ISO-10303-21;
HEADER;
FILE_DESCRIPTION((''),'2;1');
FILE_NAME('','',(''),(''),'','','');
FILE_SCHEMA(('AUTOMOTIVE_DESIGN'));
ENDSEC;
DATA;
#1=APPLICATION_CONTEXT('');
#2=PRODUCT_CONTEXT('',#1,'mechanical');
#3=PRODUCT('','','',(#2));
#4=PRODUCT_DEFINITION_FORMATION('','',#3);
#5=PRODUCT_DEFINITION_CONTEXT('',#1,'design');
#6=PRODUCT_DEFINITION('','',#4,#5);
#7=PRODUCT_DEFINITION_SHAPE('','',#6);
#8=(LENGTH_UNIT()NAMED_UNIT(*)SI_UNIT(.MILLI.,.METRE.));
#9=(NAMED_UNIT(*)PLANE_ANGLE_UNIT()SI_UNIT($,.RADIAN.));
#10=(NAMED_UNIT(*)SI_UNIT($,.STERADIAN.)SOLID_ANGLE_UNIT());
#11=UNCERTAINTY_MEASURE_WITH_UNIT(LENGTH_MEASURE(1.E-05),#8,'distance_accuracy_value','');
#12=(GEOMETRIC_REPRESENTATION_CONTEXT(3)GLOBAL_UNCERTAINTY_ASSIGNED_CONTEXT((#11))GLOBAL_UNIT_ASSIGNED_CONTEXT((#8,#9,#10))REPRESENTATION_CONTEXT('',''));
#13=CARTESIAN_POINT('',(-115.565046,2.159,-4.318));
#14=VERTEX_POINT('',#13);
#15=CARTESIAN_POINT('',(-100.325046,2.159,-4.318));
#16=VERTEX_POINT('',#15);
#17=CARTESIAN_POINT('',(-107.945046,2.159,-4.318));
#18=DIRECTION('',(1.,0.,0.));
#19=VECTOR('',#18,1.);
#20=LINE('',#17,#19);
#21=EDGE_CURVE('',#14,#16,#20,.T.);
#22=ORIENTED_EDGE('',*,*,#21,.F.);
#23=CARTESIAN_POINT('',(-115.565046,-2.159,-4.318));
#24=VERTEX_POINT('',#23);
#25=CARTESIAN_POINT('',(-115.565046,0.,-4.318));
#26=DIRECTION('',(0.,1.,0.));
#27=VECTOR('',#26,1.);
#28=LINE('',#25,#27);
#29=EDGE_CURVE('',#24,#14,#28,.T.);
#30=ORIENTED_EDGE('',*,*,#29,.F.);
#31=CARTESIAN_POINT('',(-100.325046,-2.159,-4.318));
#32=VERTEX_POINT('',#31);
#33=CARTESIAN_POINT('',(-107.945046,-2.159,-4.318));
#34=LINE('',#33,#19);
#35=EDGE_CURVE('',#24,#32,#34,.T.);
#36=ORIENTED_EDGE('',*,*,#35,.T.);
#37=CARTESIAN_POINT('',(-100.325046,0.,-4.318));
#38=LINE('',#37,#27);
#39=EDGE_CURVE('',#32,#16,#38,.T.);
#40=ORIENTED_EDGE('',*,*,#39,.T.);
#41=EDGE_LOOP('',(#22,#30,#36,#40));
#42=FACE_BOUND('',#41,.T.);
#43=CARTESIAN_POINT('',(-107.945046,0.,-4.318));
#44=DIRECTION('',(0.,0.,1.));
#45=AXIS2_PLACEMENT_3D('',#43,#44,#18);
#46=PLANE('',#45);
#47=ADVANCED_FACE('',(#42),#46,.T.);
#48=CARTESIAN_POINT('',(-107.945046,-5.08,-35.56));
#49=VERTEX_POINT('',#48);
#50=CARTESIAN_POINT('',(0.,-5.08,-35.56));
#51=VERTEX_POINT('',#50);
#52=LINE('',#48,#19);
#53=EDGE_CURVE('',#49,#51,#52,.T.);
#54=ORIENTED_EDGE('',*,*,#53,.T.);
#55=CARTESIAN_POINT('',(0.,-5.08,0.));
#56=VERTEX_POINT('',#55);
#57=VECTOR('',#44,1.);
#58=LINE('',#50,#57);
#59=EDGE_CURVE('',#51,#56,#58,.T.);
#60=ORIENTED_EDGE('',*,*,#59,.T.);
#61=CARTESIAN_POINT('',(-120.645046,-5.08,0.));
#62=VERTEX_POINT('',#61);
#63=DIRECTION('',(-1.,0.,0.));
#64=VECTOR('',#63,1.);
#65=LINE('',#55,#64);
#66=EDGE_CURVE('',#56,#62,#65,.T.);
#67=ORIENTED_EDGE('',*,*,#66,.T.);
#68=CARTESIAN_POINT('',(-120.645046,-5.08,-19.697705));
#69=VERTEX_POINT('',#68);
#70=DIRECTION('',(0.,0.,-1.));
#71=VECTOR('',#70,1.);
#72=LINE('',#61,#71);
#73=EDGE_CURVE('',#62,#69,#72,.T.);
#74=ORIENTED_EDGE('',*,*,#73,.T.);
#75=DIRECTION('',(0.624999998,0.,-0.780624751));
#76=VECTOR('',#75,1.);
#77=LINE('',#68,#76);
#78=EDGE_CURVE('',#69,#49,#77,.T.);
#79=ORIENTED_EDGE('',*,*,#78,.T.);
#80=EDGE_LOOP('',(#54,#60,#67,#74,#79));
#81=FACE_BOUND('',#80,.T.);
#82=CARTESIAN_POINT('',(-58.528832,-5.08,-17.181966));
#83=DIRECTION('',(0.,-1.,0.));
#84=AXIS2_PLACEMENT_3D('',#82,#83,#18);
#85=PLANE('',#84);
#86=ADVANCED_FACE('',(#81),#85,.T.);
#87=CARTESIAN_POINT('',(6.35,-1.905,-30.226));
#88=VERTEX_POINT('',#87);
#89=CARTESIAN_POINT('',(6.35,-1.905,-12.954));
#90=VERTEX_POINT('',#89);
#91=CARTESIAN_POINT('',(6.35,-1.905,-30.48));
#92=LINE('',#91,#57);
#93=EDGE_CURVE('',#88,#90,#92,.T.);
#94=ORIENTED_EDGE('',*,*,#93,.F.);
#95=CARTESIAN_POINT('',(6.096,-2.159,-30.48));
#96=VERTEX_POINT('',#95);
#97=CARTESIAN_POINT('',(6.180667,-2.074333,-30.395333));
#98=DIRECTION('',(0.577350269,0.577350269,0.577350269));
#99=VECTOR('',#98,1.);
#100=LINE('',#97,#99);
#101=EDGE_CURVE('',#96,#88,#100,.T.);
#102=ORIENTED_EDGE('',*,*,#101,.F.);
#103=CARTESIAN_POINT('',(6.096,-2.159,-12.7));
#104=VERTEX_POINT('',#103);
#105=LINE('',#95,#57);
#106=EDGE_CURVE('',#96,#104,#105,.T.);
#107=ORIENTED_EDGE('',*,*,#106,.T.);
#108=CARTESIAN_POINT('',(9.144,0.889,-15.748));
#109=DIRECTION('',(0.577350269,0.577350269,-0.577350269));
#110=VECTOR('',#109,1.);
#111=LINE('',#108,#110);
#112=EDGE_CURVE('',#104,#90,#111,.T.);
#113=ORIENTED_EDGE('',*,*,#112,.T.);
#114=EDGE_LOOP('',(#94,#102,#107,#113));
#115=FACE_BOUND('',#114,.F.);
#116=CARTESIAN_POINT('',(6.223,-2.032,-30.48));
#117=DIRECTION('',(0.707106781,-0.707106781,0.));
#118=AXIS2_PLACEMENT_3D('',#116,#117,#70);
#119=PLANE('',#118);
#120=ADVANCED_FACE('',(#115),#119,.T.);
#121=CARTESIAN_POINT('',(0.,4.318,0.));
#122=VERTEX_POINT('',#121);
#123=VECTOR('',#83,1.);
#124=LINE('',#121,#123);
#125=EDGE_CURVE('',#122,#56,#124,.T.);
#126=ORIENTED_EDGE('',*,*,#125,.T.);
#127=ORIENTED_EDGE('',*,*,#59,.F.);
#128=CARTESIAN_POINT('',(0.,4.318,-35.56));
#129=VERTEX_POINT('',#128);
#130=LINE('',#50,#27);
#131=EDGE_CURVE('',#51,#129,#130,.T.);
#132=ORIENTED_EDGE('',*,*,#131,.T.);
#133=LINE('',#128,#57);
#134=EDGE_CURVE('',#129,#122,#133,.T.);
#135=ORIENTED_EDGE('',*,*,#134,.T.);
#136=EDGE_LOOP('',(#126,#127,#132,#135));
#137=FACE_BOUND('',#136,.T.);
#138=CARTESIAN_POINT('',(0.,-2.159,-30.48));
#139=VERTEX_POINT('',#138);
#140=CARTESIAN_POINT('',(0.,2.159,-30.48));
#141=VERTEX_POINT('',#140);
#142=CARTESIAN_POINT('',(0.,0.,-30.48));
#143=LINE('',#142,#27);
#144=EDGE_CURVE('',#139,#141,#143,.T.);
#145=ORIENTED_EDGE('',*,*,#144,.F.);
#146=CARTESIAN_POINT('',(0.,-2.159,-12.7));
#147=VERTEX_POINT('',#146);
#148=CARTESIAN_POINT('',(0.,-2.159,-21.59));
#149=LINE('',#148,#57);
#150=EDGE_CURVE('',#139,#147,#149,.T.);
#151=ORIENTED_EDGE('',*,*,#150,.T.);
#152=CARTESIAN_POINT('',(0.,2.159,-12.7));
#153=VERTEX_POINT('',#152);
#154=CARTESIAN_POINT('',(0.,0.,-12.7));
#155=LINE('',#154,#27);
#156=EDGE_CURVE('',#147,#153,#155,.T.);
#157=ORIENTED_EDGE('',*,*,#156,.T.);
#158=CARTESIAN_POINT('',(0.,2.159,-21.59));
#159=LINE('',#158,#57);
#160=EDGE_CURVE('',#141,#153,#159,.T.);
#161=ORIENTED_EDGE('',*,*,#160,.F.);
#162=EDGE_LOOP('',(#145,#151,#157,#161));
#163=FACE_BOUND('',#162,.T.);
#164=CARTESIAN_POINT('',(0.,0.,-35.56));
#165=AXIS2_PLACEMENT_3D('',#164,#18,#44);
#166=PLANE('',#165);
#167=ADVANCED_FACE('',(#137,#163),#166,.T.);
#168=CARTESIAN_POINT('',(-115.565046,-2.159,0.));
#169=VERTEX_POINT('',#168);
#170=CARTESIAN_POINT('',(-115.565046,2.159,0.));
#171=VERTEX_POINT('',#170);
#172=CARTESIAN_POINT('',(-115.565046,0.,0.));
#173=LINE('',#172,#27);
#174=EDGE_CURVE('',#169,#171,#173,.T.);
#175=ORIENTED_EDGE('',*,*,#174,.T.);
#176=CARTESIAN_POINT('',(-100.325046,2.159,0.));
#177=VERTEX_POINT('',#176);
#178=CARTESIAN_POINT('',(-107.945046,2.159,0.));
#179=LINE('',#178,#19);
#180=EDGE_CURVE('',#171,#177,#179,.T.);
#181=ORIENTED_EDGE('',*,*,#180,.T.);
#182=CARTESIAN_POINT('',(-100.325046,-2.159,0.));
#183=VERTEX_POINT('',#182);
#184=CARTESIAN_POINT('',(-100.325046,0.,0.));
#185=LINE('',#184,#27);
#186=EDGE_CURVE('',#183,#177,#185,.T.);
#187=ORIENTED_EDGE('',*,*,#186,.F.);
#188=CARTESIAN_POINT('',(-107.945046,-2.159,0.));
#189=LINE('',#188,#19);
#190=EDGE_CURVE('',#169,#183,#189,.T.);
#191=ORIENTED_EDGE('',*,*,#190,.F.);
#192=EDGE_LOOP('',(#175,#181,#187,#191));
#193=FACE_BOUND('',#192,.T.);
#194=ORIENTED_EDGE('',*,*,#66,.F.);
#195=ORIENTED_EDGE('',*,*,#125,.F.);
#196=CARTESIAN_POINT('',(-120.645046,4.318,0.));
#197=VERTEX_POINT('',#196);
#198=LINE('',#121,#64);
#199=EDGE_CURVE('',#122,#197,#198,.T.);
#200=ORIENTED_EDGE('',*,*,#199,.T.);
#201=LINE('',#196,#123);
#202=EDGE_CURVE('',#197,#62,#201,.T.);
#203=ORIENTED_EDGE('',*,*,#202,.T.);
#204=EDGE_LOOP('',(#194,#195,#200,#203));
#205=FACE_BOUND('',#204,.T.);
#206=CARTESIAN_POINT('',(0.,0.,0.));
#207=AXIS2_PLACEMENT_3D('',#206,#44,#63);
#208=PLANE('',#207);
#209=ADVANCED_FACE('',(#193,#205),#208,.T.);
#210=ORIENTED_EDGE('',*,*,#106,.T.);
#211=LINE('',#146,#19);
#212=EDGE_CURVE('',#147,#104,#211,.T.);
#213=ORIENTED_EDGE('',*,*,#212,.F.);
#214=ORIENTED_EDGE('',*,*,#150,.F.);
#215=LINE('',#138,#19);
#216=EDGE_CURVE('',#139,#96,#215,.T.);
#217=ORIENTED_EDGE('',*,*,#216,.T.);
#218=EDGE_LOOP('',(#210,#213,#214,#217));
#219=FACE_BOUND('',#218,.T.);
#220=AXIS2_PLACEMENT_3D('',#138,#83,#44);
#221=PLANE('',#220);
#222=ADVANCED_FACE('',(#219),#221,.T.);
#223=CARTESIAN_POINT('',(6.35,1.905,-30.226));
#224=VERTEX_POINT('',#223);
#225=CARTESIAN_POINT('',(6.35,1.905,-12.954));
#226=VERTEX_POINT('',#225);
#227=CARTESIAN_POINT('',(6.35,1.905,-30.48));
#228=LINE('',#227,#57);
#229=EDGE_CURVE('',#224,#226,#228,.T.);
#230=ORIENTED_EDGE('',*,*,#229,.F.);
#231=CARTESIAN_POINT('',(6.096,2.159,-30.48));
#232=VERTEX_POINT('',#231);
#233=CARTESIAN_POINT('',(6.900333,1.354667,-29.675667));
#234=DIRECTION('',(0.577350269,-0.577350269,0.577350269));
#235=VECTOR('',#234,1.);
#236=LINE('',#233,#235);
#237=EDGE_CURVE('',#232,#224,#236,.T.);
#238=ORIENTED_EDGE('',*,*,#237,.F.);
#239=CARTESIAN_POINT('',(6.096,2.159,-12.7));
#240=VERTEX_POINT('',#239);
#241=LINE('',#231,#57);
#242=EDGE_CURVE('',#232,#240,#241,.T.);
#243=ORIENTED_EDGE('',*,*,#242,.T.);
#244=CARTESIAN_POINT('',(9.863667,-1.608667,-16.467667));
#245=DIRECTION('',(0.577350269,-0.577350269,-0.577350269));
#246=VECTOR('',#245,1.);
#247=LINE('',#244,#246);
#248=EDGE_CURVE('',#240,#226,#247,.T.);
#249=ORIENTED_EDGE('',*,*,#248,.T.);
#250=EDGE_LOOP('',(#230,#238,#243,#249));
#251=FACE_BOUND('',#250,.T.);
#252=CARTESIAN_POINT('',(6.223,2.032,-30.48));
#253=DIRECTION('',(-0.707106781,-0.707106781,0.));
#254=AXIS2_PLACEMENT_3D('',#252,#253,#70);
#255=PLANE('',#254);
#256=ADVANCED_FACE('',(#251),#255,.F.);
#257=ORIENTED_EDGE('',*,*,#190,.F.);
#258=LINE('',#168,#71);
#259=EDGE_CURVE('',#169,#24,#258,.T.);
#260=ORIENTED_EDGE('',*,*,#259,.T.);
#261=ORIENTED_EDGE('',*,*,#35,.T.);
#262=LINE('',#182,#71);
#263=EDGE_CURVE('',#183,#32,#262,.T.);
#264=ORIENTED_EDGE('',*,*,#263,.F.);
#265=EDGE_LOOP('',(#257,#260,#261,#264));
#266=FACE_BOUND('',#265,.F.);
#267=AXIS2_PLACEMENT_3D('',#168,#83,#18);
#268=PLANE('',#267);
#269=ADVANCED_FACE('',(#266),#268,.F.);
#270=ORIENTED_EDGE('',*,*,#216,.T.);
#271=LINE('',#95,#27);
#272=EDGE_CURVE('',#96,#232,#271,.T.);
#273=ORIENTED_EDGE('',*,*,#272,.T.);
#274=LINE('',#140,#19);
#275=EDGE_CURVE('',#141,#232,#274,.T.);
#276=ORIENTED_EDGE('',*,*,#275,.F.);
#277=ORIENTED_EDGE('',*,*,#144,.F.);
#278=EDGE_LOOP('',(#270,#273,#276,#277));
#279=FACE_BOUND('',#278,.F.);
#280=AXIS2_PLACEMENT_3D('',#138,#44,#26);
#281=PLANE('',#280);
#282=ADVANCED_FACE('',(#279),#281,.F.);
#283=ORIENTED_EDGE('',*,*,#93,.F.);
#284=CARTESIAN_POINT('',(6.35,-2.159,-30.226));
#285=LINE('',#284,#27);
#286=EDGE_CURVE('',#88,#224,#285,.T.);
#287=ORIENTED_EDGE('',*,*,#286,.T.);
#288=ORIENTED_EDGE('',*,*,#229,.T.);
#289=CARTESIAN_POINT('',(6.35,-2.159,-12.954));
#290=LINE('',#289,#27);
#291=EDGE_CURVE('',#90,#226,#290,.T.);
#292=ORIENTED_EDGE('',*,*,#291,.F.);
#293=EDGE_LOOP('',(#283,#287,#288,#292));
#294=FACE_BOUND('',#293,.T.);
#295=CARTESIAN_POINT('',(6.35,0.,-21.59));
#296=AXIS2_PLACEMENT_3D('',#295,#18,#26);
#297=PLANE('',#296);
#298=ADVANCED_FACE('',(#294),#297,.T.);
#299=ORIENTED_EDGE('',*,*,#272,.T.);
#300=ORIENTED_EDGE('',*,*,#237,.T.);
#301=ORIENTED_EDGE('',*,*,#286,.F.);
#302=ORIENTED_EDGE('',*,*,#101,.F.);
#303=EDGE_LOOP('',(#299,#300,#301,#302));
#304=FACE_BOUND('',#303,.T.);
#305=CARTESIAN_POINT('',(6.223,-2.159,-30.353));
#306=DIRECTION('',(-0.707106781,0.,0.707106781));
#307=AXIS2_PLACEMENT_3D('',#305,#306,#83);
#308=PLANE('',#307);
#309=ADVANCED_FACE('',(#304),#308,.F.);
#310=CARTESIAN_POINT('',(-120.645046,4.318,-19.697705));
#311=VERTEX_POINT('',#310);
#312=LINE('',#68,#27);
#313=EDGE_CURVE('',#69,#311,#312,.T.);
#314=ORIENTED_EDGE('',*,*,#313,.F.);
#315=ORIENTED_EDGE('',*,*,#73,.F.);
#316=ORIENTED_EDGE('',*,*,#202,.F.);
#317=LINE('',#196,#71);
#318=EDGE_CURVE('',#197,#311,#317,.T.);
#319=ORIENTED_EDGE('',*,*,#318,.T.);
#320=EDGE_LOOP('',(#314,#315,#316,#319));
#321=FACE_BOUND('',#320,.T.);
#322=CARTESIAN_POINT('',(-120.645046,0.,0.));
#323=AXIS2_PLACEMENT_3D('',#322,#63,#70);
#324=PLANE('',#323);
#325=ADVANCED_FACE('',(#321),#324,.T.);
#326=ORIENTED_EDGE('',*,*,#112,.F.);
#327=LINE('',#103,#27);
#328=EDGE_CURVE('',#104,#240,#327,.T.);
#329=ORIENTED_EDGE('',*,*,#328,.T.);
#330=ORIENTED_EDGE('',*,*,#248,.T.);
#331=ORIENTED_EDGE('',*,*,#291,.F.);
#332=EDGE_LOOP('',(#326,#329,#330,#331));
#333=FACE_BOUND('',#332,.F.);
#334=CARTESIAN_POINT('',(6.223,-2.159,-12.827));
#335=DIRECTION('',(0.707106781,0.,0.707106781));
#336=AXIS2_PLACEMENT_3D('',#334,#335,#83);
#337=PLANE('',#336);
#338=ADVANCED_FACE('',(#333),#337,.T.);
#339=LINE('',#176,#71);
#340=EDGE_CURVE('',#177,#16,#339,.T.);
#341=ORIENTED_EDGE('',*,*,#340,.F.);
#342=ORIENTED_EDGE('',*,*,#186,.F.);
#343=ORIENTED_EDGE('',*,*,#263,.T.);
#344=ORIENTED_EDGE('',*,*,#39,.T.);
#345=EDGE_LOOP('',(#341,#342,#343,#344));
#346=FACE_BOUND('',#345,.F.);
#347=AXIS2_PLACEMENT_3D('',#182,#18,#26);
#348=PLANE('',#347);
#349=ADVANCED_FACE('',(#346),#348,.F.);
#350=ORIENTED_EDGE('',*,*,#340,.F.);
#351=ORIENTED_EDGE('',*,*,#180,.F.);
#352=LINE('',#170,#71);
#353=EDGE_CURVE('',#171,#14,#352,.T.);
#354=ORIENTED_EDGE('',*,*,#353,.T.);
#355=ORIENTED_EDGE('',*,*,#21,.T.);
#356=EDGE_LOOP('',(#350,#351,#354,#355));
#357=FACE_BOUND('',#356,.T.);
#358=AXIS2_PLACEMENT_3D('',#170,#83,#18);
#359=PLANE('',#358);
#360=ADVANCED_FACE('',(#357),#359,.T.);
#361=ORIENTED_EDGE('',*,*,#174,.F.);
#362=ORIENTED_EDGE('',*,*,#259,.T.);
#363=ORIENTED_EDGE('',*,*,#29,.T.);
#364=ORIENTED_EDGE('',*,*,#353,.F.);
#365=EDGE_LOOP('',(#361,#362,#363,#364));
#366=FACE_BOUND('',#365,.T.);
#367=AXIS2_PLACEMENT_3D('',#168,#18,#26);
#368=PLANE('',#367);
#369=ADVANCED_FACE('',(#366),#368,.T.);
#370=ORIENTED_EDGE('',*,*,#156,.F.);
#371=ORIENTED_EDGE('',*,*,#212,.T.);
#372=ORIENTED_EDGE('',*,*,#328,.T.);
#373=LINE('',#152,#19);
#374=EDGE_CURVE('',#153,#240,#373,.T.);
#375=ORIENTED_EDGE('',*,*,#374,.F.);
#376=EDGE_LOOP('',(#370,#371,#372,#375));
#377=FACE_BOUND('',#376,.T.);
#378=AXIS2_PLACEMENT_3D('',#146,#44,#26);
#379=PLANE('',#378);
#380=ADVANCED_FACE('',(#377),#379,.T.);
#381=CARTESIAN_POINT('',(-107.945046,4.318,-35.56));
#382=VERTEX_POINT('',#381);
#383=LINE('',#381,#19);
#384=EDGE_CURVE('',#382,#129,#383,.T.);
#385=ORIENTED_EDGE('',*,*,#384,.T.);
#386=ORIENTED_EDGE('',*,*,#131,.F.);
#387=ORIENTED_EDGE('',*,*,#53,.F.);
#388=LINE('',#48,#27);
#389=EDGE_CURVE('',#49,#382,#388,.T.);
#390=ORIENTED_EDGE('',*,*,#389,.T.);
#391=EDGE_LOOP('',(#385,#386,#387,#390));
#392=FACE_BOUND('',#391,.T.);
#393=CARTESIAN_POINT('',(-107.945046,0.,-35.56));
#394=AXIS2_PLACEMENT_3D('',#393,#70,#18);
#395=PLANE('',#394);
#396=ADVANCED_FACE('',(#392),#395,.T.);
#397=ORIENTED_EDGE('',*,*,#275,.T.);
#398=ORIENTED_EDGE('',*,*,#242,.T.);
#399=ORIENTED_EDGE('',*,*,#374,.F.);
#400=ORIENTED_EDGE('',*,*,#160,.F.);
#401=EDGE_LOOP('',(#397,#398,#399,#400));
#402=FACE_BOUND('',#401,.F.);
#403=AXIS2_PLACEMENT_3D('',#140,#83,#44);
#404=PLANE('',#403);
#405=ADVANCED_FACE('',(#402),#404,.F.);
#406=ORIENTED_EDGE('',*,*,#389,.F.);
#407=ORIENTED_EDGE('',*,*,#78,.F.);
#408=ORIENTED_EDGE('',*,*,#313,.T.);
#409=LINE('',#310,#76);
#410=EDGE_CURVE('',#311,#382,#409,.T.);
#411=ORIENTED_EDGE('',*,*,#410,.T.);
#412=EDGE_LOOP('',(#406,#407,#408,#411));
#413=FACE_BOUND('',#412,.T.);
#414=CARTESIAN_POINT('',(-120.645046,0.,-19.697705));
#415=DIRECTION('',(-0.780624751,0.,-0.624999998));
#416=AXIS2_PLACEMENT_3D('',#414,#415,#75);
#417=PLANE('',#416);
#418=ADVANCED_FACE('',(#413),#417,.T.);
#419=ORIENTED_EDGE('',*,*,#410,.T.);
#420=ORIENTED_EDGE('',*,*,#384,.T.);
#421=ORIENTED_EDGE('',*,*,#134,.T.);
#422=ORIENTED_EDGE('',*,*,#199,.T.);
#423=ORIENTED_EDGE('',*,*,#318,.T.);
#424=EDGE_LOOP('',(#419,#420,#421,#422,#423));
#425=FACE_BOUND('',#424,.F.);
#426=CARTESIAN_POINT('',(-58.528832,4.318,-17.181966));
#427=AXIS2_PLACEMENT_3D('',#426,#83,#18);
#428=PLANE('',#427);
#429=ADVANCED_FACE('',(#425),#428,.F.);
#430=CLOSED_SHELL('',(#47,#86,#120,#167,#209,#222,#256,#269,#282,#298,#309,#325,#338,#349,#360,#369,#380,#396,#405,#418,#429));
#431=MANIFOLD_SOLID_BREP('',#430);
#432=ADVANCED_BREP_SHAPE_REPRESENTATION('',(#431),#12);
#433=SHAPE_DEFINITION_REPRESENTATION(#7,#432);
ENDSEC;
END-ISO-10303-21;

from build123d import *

# Parameters (mm, degrees)
F1_DEPTH      = 5.08
F1_DEPTH_BACK = 4.318
F2_W          = 4.318
F2_H          = 17.78
F3_DEPTH      = 6.35
F4_W          = 15.24
F4_H          = 4.318
F5_DEPTH      = 4.318
F6_SIZE       = 0.254


with BuildPart() as f1:
    # F0 (on Front) → F1 (new body, two sides)
    with BuildSketch(Plane.XZ) as f1_sk:
        Polygon((0, -35.56), (0, 0), (-120.645046, 0), (-120.645046, -19.697705), (-107.945046, -35.56), align=None)
    extrude(amount=F1_DEPTH)
    extrude(f1_sk.sketch, amount=-F1_DEPTH_BACK)

    # F2 (on face) → F3 (join)
    with BuildSketch(Plane.YZ):
        with Locations((0, -21.59)):
            Rectangle(F2_W, F2_H)
    extrude(amount=F3_DEPTH)

    # F4 (on face) → F5 (cut)
    with BuildSketch(Plane.XY):
        with Locations((-107.945046, 0)):
            Rectangle(F4_W, F4_H)
    extrude(amount=-F5_DEPTH, mode=Mode.SUBTRACT)

    # F6
    f6_edges = [f1.edges().sort_by_distance(p)[0] for p in [
        (6.35, 0, -12.7),
        (6.35, -2.159, -21.59),
        (6.35, 0, -30.48),
        (6.35, 2.159, -21.59),
    ]]
    chamfer(f6_edges, length=F6_SIZE)


solid = f1.part
